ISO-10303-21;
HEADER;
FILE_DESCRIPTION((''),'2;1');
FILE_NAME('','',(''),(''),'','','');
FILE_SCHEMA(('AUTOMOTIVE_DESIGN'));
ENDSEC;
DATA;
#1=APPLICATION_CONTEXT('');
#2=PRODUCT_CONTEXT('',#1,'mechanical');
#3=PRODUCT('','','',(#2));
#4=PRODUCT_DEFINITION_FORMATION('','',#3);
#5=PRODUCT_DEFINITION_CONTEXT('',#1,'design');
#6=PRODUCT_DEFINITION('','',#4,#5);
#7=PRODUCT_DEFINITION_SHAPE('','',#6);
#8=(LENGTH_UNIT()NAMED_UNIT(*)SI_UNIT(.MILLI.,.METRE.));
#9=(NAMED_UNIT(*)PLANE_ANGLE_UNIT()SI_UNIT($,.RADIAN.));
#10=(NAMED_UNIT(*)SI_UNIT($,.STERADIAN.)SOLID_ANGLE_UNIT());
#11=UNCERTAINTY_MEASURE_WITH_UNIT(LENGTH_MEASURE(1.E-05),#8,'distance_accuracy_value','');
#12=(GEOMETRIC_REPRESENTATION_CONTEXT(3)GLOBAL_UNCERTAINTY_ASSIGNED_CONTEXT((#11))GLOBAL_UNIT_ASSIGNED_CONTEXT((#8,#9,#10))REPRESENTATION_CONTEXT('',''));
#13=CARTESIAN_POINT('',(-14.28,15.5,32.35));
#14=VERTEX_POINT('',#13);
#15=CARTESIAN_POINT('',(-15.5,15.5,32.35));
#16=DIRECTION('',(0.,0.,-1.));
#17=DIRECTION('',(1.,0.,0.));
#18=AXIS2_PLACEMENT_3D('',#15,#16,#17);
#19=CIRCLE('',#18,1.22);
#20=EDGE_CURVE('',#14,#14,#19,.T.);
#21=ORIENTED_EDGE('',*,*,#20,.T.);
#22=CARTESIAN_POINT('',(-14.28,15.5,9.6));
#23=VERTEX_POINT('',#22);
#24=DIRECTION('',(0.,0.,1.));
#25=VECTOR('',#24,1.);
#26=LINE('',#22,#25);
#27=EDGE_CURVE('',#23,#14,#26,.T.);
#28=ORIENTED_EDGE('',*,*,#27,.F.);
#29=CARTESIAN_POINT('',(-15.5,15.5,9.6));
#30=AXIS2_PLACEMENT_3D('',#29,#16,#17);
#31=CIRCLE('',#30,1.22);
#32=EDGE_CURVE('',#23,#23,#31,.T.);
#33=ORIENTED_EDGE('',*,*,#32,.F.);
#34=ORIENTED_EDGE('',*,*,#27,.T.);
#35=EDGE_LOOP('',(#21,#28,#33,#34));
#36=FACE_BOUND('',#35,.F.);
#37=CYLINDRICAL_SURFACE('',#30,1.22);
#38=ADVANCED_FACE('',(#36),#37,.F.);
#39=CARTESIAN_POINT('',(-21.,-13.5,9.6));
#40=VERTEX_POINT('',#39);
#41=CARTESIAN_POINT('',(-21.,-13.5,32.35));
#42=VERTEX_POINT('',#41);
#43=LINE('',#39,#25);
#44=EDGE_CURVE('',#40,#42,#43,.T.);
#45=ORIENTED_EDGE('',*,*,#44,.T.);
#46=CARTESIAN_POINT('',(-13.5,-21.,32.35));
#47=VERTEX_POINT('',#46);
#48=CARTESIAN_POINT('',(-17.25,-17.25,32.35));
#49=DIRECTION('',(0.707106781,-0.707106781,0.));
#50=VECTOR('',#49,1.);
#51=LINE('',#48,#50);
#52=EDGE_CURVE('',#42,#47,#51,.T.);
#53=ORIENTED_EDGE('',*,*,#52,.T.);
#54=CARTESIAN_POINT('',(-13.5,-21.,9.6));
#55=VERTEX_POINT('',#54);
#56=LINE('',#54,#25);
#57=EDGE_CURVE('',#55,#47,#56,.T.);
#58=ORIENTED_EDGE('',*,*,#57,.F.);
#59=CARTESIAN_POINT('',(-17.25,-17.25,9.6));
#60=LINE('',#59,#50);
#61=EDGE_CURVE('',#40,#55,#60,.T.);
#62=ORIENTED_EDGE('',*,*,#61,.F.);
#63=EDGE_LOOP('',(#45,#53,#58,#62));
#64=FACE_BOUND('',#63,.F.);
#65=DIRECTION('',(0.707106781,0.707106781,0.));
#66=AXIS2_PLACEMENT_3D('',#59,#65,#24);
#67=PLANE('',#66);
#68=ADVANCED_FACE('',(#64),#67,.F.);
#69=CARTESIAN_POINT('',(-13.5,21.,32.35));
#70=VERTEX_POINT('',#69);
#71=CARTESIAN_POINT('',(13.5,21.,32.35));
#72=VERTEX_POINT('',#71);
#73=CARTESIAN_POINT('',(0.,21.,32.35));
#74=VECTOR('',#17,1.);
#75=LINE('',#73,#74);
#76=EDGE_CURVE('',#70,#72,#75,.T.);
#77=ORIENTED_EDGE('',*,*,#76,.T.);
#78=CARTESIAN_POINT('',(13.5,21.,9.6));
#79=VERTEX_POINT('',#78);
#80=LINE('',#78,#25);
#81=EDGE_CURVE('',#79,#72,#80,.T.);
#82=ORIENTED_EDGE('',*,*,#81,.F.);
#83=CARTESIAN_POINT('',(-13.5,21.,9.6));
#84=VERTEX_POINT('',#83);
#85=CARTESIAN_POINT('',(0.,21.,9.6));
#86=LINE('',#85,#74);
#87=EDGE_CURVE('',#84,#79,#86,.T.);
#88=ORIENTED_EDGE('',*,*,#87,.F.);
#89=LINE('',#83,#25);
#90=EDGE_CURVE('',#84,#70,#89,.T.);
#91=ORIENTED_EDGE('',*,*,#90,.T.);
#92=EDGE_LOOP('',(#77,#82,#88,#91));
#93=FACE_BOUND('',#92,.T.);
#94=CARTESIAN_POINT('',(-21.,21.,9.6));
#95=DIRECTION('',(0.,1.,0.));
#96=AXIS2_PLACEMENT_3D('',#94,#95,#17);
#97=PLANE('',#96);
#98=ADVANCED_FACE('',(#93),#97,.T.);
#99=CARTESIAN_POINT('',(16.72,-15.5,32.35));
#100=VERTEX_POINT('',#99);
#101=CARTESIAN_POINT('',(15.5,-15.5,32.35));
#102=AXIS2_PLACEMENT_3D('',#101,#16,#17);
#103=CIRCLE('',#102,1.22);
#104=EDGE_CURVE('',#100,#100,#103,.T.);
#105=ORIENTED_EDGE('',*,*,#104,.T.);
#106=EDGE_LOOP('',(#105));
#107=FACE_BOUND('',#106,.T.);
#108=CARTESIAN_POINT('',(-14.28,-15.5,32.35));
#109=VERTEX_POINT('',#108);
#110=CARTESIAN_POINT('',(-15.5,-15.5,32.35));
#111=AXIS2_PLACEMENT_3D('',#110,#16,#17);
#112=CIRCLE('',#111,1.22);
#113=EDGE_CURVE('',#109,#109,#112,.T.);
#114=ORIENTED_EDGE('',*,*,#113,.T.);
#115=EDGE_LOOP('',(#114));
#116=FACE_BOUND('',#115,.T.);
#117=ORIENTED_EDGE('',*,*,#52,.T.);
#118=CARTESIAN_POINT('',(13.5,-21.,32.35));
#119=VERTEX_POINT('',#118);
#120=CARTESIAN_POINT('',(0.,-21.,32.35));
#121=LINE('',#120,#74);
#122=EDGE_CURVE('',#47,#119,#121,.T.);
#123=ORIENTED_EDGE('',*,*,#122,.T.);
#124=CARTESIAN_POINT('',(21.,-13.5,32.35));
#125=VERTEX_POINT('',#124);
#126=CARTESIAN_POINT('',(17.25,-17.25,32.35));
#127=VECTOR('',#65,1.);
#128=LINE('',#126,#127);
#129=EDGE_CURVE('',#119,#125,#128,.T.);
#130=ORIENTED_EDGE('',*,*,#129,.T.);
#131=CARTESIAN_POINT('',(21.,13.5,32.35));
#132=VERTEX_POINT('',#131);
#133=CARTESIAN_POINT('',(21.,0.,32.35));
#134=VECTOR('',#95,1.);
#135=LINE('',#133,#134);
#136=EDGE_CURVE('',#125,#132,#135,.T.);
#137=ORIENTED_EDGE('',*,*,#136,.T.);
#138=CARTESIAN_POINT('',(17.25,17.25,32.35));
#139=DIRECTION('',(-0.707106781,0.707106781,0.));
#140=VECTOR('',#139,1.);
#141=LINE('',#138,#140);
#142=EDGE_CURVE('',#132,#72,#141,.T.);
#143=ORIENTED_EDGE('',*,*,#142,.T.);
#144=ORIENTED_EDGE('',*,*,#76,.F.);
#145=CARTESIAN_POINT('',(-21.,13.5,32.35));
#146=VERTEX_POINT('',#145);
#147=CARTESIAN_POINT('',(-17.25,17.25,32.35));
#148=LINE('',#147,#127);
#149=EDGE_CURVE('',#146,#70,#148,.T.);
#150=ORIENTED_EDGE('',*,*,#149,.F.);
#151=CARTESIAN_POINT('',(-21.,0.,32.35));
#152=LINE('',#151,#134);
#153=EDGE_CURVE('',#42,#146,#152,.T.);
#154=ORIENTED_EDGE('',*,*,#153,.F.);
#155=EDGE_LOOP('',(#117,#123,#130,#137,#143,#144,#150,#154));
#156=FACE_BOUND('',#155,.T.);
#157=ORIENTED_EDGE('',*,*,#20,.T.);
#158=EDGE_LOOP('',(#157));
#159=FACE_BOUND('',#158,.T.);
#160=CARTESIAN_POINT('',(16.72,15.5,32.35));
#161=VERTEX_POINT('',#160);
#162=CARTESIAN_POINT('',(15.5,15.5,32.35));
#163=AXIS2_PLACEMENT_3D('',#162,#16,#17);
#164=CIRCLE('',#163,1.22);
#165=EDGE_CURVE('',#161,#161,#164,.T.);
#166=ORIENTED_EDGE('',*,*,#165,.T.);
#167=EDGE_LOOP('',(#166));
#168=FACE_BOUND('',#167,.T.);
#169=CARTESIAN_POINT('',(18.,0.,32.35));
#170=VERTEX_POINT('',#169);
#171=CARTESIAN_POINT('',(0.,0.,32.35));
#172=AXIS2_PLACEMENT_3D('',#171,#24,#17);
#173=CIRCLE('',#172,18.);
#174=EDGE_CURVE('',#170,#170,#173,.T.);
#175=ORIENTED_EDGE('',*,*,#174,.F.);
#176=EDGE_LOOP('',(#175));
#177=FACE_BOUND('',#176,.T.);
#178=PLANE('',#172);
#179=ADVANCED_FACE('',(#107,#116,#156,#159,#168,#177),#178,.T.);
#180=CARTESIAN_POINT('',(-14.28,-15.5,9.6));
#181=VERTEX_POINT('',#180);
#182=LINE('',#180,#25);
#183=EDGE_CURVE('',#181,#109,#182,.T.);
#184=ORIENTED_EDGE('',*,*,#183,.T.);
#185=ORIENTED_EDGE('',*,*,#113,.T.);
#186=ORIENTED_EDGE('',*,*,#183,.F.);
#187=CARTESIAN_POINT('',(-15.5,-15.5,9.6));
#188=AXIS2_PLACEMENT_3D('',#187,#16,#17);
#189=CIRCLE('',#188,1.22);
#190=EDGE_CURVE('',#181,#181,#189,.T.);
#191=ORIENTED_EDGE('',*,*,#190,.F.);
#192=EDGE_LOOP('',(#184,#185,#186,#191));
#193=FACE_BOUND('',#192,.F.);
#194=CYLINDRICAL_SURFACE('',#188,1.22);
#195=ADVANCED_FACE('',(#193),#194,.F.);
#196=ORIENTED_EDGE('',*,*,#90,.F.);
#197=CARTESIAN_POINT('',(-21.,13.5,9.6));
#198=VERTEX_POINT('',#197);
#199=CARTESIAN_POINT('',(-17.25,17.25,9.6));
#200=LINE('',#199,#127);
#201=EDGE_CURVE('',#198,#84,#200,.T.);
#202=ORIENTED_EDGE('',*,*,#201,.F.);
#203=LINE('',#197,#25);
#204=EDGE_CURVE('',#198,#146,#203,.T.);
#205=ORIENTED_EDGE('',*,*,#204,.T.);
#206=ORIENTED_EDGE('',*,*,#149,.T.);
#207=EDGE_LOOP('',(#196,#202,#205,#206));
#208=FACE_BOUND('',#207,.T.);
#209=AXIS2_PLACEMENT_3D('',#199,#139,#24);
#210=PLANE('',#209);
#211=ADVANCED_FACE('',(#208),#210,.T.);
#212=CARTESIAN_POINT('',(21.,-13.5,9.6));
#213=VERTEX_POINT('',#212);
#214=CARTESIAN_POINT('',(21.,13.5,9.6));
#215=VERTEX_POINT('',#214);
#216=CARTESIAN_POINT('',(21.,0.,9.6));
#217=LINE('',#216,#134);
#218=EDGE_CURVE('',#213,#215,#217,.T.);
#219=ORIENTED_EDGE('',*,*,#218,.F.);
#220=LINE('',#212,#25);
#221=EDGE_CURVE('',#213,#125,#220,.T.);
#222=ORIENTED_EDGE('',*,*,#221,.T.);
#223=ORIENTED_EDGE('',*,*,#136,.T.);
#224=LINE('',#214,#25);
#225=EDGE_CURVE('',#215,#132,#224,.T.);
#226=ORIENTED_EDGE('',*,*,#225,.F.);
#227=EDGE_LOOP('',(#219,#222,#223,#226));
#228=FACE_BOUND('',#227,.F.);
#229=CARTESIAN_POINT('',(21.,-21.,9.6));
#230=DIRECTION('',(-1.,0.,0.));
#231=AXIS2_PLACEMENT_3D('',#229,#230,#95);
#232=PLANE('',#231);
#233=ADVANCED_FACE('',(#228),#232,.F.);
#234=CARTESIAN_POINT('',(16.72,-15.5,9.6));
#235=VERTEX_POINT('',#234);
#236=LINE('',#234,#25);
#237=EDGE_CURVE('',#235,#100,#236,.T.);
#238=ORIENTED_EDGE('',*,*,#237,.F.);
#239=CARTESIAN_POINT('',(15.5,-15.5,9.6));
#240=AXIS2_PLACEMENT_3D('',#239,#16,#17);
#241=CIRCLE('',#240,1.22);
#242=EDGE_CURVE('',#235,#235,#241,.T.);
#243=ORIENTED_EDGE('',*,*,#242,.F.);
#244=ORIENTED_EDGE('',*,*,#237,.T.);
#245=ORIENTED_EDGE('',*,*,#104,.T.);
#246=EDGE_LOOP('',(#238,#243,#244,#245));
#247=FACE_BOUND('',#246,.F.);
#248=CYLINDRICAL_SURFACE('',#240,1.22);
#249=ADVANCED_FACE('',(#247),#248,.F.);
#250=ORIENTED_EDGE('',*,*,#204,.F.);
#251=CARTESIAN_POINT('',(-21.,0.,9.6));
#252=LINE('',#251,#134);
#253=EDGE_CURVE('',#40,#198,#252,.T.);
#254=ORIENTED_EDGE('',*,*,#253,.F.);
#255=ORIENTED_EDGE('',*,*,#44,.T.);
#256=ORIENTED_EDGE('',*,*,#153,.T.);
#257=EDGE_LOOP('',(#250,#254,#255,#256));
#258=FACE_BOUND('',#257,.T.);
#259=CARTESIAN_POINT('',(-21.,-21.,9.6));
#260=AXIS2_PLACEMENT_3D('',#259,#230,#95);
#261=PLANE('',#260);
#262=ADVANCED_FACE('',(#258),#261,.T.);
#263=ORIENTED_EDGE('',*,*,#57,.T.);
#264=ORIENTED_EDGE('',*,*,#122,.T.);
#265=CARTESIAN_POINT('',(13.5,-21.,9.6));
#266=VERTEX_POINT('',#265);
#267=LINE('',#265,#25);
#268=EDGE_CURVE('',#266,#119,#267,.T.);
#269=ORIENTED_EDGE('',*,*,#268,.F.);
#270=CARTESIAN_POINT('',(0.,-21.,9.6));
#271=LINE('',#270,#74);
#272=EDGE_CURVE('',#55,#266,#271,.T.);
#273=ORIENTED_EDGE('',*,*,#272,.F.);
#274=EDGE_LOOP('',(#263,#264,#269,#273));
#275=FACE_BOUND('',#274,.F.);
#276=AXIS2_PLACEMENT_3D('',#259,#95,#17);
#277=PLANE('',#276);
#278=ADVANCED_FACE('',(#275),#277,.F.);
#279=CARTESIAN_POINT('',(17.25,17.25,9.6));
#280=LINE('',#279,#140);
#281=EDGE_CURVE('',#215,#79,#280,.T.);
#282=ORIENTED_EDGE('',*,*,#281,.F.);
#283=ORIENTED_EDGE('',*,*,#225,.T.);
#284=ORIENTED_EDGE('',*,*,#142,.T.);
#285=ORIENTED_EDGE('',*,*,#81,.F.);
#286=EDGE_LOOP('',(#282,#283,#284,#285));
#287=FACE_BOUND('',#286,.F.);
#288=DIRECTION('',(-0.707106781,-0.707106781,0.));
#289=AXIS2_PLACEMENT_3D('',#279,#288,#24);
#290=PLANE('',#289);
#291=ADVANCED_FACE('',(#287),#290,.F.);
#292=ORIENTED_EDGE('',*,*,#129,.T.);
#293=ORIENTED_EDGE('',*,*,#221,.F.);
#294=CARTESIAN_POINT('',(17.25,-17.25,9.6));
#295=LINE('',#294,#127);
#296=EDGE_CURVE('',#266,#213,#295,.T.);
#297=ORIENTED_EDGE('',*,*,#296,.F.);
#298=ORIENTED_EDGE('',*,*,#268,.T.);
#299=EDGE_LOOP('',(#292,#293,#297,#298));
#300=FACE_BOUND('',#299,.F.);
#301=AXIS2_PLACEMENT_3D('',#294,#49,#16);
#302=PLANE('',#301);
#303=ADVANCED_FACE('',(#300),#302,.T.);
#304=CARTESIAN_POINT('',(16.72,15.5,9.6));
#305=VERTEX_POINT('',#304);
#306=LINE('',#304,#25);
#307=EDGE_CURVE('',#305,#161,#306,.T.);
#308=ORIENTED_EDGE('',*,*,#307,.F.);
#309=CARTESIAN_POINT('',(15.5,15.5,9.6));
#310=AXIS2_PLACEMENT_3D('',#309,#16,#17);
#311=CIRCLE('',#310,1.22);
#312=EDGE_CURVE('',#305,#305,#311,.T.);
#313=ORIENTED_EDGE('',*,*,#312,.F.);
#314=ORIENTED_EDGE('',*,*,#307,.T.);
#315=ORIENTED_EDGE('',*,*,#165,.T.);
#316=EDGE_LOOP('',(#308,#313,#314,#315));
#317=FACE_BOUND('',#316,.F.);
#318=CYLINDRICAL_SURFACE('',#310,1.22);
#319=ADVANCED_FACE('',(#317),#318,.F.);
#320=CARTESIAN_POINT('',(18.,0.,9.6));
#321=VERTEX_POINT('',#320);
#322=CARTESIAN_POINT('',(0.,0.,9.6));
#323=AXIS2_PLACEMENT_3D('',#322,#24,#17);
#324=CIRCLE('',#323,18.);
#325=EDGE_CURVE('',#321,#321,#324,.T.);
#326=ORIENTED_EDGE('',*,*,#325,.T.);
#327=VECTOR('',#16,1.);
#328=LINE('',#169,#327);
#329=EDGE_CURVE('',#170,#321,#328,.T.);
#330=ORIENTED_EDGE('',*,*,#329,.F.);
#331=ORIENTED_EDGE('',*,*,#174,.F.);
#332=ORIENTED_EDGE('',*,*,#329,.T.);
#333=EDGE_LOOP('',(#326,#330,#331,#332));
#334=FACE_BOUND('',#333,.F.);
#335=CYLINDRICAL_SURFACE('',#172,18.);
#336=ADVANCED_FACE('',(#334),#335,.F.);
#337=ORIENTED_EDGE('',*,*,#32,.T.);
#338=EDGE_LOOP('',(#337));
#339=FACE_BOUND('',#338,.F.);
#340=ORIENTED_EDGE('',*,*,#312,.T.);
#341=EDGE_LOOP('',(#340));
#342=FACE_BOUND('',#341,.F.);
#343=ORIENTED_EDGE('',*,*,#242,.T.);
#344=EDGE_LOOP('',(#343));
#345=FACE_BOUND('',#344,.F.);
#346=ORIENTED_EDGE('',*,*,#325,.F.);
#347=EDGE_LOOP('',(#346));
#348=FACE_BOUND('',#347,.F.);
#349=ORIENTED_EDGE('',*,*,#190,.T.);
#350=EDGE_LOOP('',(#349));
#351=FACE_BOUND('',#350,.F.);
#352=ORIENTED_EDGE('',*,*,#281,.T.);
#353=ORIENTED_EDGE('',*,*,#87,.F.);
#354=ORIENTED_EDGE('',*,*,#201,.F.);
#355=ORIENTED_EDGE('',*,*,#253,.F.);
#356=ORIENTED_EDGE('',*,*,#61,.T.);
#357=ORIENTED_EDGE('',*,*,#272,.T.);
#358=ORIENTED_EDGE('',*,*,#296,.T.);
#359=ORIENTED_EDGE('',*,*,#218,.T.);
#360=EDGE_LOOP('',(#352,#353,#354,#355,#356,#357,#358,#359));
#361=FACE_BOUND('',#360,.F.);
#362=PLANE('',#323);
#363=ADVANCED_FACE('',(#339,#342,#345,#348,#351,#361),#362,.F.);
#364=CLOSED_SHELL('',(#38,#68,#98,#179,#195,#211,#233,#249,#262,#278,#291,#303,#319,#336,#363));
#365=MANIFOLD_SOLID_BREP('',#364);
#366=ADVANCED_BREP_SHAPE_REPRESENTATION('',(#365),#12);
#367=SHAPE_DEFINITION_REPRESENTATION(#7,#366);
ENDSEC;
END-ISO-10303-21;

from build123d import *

# Parameters (mm, degrees)
SKETCH005_W     = 42
SKETCH005_H     = 42
PAD004_DEPTH    = 22.75
CHAMFER001_SIZE = 7.5
SKETCH008_R     = 1.22
POCKET001_DEPTH = 22.751
SKETCH012_R     = 18
POCKET006_DEPTH = 22.751


with BuildPart() as part:
    # Sketch005 → Pad004 (new body)
    with BuildSketch(Plane.XY):
        Rectangle(SKETCH005_W, SKETCH005_H)
    extrude(amount=PAD004_DEPTH)

    # Chamfer001
    chamfer001_edges = [part.edges().sort_by_distance(p)[0] for p in [
        (-21, -21, 11.375),
        (-21, 21, 11.375),
        (21, -21, 11.375),
        (21, 21, 11.375),
    ]]
    chamfer(chamfer001_edges, length=CHAMFER001_SIZE)

    # Sketch008 (on Face2 of Chamfer001) → Pocket001 (cut, through all)
    with BuildSketch(Plane(origin=(0, 0, 0), x_dir=(1, 0, 0), z_dir=(0, 0, -1))):
        with Locations((-15.5, 15.5)):
            Circle(SKETCH008_R)
        with Locations((15.5, 15.5)):
            Circle(SKETCH008_R)
        with Locations((15.5, -15.5)):
            Circle(SKETCH008_R)
        with Locations((-15.5, -15.5)):
            Circle(SKETCH008_R)
    extrude(amount=-POCKET001_DEPTH, mode=Mode.SUBTRACT)

    # Sketch012 (on Face5 of Pocket001) → Pocket006 (cut, through all)
    with BuildSketch(Plane.XY.offset(22.75)):
        Circle(SKETCH012_R)
    extrude(amount=-POCKET006_DEPTH, mode=Mode.SUBTRACT)


with BuildPart() as part_1:
    # Body003 placement: moved
    add(part.part.moved(Location((0, 0, 9.6))))


solid = part_1.part
